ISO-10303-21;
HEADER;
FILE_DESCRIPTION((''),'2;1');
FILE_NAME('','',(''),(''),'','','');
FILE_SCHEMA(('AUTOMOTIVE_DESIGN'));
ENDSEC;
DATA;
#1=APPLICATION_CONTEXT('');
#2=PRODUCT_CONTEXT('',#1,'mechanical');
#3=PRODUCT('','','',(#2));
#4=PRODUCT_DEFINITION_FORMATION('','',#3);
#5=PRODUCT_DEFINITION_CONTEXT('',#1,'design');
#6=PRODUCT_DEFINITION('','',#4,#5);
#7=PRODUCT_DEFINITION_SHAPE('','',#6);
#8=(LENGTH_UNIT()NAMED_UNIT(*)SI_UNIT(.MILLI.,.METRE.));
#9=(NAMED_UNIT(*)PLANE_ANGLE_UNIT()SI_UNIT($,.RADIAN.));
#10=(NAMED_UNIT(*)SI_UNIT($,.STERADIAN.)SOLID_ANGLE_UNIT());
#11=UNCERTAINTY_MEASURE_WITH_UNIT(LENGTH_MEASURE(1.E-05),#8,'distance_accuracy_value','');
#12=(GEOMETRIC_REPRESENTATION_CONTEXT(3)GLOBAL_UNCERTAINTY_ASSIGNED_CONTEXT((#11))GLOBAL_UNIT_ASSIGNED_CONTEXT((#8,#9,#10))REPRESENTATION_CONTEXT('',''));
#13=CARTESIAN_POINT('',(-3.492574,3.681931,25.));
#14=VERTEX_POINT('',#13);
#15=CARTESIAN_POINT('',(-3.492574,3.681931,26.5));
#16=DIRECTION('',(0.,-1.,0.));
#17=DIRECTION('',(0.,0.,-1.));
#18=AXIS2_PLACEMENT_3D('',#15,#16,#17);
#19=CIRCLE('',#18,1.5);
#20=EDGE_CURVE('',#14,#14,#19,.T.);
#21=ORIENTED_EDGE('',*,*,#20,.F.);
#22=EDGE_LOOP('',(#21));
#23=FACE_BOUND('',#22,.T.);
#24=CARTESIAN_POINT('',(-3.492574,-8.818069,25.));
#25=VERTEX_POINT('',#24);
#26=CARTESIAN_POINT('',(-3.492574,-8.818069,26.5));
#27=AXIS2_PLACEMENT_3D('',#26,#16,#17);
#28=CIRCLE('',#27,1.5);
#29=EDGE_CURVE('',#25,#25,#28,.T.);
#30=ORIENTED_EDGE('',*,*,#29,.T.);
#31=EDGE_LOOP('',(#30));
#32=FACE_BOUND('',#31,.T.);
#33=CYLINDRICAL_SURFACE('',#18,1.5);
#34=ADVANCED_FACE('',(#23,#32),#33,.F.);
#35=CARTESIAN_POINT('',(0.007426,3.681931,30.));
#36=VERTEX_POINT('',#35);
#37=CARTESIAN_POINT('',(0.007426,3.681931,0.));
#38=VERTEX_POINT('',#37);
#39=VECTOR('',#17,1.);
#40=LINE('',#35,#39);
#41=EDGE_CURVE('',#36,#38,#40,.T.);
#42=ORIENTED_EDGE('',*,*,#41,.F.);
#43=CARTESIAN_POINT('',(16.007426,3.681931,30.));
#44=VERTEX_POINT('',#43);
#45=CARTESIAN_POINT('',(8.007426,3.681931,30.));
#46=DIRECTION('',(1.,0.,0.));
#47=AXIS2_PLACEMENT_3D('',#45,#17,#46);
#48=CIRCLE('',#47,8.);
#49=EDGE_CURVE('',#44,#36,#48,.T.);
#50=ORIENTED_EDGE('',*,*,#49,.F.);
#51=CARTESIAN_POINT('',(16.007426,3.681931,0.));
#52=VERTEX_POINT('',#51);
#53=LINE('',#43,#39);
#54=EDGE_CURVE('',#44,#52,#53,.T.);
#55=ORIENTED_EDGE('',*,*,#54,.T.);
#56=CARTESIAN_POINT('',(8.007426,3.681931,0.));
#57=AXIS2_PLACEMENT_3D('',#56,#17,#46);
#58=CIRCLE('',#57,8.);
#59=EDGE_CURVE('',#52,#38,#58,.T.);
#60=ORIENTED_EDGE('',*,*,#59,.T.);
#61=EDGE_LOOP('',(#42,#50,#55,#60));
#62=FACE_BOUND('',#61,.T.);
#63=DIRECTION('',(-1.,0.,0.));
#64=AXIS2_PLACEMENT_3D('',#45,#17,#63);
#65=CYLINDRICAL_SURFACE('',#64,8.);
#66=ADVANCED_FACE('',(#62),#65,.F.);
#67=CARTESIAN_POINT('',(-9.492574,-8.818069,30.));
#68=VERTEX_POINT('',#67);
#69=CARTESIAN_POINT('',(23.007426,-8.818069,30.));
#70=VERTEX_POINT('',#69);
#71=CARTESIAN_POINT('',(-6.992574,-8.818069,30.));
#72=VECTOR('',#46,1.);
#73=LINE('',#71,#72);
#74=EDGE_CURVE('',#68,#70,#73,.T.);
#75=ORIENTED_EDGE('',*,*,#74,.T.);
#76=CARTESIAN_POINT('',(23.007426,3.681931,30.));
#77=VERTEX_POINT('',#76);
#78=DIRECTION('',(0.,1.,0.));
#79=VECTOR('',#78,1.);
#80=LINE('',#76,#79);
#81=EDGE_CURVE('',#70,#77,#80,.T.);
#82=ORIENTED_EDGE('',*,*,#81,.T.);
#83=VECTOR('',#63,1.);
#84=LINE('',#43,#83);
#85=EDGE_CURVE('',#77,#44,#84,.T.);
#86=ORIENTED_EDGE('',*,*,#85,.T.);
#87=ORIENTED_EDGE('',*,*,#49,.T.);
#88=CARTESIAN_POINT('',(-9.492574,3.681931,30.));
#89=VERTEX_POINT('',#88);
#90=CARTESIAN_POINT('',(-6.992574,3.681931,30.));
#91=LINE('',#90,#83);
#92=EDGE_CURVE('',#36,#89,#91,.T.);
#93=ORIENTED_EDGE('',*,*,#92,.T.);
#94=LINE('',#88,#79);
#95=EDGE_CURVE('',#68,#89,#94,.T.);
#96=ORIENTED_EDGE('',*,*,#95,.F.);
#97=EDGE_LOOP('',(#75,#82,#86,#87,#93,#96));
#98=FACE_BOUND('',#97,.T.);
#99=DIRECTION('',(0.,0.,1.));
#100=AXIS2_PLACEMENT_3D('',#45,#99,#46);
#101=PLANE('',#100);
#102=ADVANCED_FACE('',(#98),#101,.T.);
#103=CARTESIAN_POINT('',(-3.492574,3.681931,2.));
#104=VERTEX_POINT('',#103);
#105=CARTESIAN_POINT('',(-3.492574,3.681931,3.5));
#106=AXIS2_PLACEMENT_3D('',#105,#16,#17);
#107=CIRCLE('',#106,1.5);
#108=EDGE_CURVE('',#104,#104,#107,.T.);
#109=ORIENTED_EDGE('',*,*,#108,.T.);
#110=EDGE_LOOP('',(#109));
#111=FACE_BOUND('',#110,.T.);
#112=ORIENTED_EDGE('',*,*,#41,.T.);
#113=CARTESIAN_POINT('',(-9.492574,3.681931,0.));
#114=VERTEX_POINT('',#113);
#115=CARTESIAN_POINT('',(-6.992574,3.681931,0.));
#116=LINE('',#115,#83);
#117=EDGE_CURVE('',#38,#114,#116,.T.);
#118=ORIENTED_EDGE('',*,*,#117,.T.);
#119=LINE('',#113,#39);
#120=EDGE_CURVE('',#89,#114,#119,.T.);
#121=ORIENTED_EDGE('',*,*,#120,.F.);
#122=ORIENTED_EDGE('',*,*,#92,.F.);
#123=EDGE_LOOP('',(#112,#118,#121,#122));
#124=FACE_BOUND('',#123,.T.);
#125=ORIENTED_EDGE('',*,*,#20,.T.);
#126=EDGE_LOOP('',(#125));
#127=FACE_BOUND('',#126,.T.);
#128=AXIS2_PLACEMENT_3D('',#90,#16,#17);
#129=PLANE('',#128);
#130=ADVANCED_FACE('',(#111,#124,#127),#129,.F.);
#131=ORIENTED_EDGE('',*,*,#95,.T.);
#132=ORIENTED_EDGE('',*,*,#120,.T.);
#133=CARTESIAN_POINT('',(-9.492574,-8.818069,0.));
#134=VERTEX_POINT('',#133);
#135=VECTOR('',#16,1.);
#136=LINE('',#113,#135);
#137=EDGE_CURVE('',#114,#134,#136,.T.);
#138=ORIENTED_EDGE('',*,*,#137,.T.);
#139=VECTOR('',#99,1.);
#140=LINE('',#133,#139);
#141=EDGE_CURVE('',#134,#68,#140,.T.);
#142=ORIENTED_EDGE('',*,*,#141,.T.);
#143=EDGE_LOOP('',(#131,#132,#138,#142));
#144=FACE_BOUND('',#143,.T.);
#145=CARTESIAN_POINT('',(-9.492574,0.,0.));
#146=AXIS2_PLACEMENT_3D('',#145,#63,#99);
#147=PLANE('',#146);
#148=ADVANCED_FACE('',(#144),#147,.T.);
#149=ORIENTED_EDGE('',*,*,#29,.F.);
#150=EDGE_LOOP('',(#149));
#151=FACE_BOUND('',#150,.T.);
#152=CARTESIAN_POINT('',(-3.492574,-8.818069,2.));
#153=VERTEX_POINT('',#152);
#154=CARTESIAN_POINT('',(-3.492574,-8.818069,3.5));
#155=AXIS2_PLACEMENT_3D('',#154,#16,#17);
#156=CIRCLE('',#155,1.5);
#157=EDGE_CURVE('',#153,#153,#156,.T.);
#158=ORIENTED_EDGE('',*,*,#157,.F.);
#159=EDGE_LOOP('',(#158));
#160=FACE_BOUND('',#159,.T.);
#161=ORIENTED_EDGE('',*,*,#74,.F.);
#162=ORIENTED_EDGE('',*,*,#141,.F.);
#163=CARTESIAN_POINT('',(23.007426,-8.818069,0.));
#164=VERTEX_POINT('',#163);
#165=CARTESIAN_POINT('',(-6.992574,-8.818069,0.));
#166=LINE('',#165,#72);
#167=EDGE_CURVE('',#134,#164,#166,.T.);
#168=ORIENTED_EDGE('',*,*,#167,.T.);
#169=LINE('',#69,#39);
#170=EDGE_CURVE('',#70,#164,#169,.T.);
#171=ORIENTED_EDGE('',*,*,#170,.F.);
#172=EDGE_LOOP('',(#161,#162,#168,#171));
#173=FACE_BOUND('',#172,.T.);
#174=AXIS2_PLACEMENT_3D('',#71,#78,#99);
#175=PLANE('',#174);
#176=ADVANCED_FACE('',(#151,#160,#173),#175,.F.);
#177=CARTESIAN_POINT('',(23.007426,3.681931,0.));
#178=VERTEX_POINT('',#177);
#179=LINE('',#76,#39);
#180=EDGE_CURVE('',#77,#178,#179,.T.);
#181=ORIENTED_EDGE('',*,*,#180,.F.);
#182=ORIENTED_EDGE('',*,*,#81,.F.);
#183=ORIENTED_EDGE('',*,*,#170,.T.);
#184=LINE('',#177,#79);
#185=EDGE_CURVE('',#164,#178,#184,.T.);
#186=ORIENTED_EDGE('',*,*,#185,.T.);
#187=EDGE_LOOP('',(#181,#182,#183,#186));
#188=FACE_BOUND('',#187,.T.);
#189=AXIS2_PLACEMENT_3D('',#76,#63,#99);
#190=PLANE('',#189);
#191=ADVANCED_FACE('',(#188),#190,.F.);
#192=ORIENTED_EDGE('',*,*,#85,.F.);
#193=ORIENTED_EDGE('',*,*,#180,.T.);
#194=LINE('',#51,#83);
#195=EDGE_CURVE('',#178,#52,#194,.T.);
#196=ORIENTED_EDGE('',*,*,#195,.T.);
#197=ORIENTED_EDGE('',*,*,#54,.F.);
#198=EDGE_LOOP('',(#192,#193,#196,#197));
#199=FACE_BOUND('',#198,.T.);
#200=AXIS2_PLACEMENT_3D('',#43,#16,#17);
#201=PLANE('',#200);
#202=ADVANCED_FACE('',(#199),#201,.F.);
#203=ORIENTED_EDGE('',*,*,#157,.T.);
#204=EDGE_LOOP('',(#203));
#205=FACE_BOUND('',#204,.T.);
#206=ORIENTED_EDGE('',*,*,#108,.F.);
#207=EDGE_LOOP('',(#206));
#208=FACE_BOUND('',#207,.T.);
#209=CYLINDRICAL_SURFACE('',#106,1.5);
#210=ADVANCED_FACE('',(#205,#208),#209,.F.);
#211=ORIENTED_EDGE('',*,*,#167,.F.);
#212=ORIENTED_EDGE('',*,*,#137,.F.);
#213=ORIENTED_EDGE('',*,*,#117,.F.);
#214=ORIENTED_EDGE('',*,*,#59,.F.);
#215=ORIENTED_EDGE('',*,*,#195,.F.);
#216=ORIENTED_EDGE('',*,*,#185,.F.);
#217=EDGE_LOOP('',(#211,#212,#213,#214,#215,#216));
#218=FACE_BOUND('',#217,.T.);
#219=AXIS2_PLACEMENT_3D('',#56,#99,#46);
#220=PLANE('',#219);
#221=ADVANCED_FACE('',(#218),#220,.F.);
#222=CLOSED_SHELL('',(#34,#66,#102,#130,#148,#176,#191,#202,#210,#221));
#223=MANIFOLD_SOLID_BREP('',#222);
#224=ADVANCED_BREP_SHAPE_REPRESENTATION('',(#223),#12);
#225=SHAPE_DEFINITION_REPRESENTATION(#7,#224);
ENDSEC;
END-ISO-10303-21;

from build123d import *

# Parameters (mm, degrees)
BOSS_EXTRUDE1_DEPTH = 30
SKETCH2_R           = 1.5
CUT_EXTRUDE1_DEPTH  = 40.819488185
SKETCH3_W           = 30
SKETCH3_H           = 12.5
BOSS_EXTRUDE2_DEPTH = 2.5


with BuildPart() as part:
    # Sketch1 → Boss-Extrude1 (new body)
    with BuildSketch(Plane.XY):
        with BuildLine():
            Line((16.007425743, 3.681930693), (23.007425743, 3.681930693))
            Line((23.007425743, 3.681930693), (23.007425743, -8.818069307))
            Line((23.007425743, -8.818069307), (-6.992574257, -8.818069307))
            Line((-6.992574257, -8.818069307), (-6.992574257, 3.681930693))
            Line((-6.992574257, 3.681930693), (0.007425743, 3.681930693))
            ThreePointArc((0.007425743, 3.681930693), (8.007425743, -4.318069307), (16.007425743, 3.681930693))
        make_face()
    extrude(amount=BOSS_EXTRUDE1_DEPTH)

    # Sketch2 → Cut-Extrude1 (cut, through all)
    with BuildSketch(Plane.XZ.offset(8.818069307)):
        with Locations(Location((-3.492574257, 3.5, 0), (0, 0, 270))):
            Circle(SKETCH2_R)
        with Locations(Location((-3.492574257, 26.5, 0), (0, 0, 270))):
            Circle(SKETCH2_R)
    extrude(amount=-CUT_EXTRUDE1_DEPTH, mode=Mode.SUBTRACT)

    # Sketch3 → Boss-Extrude2 (add)
    with BuildSketch(Plane.ZY.offset(6.992574257)):
        with Locations((15, -2.568069307)):
            Rectangle(SKETCH3_W, SKETCH3_H)
    extrude(amount=BOSS_EXTRUDE2_DEPTH)


solid = part.part
